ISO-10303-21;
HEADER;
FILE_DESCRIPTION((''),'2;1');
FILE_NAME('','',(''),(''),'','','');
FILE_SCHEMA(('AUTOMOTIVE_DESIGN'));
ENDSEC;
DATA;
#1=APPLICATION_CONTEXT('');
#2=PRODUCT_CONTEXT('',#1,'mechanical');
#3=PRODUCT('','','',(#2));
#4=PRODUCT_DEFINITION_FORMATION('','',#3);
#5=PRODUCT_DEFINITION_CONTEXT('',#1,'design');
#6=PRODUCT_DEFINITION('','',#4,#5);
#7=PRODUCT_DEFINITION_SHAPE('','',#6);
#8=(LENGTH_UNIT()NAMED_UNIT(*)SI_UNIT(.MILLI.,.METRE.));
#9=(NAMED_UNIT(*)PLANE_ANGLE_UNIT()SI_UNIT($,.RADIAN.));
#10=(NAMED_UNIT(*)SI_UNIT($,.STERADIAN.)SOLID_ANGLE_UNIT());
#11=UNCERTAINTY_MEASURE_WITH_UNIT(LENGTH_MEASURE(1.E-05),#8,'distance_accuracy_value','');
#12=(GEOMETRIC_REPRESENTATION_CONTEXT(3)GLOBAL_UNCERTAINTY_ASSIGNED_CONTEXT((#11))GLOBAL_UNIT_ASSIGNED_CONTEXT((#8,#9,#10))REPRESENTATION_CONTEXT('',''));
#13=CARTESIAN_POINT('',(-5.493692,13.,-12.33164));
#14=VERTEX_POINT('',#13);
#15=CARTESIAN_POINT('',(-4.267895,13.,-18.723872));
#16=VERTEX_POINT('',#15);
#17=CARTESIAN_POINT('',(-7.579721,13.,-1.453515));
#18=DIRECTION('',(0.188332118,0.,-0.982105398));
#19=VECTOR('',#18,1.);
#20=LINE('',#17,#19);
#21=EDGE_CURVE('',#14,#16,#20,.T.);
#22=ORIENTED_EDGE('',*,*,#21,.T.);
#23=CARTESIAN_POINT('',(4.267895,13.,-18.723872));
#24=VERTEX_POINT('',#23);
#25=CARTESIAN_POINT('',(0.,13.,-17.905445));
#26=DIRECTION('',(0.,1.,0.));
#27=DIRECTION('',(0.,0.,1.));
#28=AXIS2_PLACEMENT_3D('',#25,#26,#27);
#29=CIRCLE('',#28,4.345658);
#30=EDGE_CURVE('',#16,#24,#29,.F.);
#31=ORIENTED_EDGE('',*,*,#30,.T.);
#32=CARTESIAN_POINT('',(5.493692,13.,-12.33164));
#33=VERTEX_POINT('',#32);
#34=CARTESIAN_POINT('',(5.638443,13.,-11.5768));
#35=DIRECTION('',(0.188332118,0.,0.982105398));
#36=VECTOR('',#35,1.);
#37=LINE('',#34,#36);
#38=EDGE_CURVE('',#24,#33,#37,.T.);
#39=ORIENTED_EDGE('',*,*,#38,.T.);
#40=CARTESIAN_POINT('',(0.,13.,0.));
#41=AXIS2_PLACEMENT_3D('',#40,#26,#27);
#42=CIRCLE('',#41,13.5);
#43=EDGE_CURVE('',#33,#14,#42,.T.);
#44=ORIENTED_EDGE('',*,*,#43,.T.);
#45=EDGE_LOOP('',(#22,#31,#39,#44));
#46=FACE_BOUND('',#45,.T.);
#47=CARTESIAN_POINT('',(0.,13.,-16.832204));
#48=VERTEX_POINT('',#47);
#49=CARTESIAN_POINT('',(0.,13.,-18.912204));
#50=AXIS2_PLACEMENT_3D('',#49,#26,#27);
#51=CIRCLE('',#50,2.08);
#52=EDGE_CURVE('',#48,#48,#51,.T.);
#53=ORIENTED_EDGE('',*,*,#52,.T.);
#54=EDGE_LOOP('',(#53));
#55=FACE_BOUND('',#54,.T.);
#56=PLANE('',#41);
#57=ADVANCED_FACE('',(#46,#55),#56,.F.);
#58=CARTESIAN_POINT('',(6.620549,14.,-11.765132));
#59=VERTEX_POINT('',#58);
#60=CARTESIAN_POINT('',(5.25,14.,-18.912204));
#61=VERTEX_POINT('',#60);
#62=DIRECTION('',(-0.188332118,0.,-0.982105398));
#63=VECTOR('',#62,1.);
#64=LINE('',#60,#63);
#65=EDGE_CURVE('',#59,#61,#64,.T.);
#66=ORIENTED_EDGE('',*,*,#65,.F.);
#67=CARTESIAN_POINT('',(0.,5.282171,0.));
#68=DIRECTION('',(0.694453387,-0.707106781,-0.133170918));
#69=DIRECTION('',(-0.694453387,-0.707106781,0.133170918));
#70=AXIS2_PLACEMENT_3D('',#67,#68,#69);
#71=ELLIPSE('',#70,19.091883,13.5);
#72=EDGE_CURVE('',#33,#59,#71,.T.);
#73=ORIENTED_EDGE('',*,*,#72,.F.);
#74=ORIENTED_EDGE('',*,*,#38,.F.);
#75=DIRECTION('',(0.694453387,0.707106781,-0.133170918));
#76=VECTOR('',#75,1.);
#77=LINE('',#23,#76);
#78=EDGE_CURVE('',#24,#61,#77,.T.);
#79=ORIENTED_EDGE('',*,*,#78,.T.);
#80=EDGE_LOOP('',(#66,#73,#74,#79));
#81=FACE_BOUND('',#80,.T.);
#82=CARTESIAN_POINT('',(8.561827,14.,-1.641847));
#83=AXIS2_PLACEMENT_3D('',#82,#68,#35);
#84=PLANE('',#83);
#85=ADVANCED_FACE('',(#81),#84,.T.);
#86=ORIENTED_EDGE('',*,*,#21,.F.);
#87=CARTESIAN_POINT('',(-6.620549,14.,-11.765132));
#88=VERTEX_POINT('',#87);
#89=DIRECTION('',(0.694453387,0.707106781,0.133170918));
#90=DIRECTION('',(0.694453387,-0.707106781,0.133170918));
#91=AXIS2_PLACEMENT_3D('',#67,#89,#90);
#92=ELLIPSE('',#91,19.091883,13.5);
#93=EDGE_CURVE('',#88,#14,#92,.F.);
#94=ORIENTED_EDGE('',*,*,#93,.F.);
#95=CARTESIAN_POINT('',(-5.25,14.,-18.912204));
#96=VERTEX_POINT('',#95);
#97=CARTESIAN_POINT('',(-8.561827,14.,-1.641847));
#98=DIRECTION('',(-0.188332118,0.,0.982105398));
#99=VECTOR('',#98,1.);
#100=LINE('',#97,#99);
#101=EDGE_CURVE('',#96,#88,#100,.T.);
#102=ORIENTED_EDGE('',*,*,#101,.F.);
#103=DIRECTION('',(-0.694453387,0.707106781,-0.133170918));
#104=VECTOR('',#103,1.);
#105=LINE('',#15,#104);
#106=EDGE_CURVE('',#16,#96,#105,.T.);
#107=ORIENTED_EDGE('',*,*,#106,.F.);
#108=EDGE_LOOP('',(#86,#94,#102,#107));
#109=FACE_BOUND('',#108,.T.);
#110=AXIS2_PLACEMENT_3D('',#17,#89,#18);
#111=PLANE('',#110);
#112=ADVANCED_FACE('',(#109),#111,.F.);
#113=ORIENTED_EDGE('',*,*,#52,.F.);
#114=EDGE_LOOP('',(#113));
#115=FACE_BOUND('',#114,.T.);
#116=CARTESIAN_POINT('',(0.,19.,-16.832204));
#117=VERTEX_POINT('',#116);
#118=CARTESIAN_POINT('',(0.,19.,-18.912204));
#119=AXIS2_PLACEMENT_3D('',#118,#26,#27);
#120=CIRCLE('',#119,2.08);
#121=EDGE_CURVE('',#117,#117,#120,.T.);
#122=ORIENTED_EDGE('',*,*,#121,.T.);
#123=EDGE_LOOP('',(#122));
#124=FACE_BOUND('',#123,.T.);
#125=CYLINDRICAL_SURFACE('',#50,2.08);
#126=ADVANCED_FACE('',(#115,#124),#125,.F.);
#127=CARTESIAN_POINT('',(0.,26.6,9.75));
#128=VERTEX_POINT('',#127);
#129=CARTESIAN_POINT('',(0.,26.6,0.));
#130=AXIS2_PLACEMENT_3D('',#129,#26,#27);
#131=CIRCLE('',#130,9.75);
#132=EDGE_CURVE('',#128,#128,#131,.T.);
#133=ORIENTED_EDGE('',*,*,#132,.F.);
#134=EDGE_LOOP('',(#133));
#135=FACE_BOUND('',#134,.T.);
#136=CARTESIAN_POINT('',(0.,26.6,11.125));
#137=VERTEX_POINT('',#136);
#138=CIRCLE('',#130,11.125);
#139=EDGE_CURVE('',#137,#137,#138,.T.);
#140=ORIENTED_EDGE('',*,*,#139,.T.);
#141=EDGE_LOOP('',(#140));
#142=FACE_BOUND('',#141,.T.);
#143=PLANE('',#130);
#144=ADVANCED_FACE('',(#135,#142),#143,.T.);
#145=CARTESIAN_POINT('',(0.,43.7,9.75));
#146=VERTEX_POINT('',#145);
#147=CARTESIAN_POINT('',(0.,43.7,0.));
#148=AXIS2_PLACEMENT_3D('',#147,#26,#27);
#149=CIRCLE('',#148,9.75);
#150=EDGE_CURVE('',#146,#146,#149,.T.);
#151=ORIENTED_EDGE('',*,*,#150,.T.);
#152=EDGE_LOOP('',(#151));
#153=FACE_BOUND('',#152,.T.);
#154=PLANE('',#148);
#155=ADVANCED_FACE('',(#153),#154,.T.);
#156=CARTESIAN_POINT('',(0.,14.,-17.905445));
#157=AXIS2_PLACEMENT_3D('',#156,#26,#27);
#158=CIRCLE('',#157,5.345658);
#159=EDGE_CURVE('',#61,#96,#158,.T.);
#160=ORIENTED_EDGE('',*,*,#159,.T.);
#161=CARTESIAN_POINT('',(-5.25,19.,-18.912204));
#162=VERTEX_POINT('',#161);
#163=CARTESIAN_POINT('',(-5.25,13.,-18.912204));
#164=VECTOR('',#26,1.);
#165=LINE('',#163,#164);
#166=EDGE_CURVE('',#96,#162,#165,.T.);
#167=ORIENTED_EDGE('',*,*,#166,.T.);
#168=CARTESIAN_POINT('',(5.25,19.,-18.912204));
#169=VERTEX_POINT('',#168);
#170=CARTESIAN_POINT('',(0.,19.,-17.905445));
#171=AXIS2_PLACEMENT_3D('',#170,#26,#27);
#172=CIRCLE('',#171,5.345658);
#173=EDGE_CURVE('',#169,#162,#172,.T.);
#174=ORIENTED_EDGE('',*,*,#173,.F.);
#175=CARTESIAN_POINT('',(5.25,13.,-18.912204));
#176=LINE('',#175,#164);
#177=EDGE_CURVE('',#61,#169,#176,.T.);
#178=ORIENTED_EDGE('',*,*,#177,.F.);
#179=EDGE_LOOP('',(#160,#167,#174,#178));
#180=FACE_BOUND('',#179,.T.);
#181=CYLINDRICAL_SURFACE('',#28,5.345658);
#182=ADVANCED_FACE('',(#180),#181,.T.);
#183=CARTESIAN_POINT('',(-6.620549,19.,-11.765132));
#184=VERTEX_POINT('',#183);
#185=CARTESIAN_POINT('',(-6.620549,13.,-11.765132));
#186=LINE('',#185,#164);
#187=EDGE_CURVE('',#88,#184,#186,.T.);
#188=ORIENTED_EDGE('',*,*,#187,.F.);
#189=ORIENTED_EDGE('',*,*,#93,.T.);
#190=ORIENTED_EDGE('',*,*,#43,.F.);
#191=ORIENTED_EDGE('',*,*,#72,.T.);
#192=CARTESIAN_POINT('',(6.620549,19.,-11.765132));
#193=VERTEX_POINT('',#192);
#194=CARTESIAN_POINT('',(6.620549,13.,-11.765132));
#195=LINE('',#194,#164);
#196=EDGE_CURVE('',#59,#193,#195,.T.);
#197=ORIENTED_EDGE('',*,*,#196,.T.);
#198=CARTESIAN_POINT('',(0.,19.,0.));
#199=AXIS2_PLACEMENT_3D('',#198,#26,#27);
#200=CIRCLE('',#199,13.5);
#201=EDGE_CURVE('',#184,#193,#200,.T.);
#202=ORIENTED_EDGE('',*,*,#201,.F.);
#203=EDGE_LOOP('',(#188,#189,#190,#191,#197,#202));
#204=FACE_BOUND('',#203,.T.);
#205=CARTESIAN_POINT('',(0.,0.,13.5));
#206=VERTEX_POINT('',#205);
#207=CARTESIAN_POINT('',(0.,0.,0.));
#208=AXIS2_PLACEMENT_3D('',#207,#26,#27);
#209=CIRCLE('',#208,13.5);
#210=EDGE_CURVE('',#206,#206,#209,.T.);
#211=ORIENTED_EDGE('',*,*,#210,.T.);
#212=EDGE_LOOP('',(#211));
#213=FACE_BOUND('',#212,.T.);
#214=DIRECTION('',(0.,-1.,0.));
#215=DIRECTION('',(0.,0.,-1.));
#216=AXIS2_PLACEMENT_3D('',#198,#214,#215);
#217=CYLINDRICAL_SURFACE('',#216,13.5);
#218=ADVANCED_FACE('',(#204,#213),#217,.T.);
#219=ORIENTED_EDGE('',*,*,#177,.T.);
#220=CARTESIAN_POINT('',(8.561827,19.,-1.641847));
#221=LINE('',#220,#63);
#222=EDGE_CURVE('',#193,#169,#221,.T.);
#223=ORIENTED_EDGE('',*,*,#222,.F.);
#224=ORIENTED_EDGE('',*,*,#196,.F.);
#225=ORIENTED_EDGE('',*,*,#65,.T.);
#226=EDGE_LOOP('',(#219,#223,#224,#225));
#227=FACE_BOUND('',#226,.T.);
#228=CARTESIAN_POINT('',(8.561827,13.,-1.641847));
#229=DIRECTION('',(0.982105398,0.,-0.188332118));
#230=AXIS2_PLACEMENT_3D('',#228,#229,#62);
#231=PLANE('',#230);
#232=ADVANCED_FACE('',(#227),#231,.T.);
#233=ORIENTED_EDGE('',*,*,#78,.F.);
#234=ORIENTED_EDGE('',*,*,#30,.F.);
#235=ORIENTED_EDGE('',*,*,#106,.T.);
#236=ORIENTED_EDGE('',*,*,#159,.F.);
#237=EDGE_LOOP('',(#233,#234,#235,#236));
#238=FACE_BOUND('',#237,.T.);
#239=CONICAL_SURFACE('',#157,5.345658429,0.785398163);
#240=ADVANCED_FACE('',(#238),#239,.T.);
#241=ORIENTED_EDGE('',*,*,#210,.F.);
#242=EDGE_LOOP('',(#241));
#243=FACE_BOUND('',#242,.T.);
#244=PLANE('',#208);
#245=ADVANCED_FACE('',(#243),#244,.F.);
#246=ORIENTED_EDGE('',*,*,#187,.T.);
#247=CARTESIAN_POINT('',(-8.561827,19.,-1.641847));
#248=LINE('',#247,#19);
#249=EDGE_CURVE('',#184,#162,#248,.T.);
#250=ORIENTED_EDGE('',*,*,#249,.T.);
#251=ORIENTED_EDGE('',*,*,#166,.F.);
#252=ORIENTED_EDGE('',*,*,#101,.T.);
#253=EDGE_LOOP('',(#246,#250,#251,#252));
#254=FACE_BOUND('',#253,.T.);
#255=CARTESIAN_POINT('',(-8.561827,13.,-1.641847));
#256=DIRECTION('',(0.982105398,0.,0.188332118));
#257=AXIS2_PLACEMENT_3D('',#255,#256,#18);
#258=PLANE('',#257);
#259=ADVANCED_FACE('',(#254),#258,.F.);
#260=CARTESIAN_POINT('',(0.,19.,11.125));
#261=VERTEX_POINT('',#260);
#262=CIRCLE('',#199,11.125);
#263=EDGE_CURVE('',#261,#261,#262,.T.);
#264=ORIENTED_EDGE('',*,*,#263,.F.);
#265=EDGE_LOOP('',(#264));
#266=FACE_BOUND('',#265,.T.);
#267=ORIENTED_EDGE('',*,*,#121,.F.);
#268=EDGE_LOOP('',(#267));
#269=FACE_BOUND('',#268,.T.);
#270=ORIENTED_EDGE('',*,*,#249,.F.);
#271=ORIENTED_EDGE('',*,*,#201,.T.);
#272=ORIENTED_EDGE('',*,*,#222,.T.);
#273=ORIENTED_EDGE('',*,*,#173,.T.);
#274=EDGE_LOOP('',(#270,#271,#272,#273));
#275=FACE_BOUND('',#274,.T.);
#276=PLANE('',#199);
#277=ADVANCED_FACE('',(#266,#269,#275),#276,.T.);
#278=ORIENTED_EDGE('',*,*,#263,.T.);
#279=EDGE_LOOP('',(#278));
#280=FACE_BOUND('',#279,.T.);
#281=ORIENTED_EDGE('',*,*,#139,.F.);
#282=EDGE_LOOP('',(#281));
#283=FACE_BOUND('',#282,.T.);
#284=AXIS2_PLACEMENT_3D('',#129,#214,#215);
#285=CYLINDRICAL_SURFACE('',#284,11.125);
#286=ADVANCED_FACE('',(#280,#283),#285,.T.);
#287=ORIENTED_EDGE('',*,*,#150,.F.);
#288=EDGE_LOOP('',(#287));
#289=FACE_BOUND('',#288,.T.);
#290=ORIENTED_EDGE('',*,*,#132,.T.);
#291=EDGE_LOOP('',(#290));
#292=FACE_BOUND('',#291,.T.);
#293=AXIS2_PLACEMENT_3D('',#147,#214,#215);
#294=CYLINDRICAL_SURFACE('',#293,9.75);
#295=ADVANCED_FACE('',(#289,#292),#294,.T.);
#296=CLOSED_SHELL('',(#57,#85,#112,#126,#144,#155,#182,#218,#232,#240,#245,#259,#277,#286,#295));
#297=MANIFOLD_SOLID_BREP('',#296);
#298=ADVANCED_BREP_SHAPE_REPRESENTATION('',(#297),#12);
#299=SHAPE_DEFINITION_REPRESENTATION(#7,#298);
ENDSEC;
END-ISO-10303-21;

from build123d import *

# Parameters (mm, degrees)
SKETCH1_R           = 13.5
BOSS_EXTRUDE1_DEPTH = 19
BOSS_EXTRUDE2_START = 19
SKETCH1_3_R         = 11.125
BOSS_EXTRUDE2_DEPTH = 7.6
BOSS_EXTRUDE3_START = 26.6
SKETCH1_4_R         = 9.75
BOSS_EXTRUDE3_DEPTH = 17.1
BOSS_EXTRUDE4_START = 19
SKETCH1_5_R         = 2.08
BOSS_EXTRUDE4_DEPTH = 6
CHAMFER1_SIZE       = 1


with BuildPart() as part:
    # Sketch1 → Boss-Extrude1 (new body)
    with BuildSketch(Plane(origin=(0, 0, 0), x_dir=(1, 0, 0), z_dir=(0, 1, 0))):
        Circle(SKETCH1_R)
    extrude(amount=BOSS_EXTRUDE1_DEPTH)

    # Sketch1<3> → Boss-Extrude2 (add)
    with BuildSketch(Plane(origin=(0, 0, 0), x_dir=(1, 0, 0), z_dir=(0, 1, 0)).offset(BOSS_EXTRUDE2_START)):
        Circle(SKETCH1_3_R)
    extrude(amount=BOSS_EXTRUDE2_DEPTH)

    # Sketch1<4> → Boss-Extrude3 (add)
    with BuildSketch(Plane(origin=(0, 0, 0), x_dir=(1, 0, 0), z_dir=(0, 1, 0)).offset(BOSS_EXTRUDE3_START)):
        Circle(SKETCH1_4_R)
    extrude(amount=BOSS_EXTRUDE3_DEPTH)

    # Sketch1<5> → Boss-Extrude4 (add)
    with BuildSketch(Plane(origin=(0, 0, 0), x_dir=(1, 0, 0), z_dir=(0, 1, 0)).offset(BOSS_EXTRUDE4_START)):
        with BuildLine():
            ThreePointArc((5.25, 18.912204045), (0, 23.2511033), (-5.25, 18.912204045))
            Line((-5.25, 18.912204045), (-6.620548595, 11.765132227))
            ThreePointArc((-6.620548595, 11.765132227), (0, 13.5), (6.620548595, 11.765132227))
            Line((6.620548595, 11.765132227), (5.25, 18.912204045))
        make_face()
        with Locations((0, 18.912204045)):
            Circle(SKETCH1_5_R, mode=Mode.SUBTRACT)
    extrude(amount=-BOSS_EXTRUDE4_DEPTH)

    # Chamfer1
    chamfer1_edges = [part.edges().sort_by_distance(p)[0] for p in [
        (0, 13, -23.2511033),
        (5.935274297, 13, -15.338668136),
        (-5.935274297, 13, -15.338668136),
    ]]
    chamfer(chamfer1_edges, length=CHAMFER1_SIZE)


solid = part.part
